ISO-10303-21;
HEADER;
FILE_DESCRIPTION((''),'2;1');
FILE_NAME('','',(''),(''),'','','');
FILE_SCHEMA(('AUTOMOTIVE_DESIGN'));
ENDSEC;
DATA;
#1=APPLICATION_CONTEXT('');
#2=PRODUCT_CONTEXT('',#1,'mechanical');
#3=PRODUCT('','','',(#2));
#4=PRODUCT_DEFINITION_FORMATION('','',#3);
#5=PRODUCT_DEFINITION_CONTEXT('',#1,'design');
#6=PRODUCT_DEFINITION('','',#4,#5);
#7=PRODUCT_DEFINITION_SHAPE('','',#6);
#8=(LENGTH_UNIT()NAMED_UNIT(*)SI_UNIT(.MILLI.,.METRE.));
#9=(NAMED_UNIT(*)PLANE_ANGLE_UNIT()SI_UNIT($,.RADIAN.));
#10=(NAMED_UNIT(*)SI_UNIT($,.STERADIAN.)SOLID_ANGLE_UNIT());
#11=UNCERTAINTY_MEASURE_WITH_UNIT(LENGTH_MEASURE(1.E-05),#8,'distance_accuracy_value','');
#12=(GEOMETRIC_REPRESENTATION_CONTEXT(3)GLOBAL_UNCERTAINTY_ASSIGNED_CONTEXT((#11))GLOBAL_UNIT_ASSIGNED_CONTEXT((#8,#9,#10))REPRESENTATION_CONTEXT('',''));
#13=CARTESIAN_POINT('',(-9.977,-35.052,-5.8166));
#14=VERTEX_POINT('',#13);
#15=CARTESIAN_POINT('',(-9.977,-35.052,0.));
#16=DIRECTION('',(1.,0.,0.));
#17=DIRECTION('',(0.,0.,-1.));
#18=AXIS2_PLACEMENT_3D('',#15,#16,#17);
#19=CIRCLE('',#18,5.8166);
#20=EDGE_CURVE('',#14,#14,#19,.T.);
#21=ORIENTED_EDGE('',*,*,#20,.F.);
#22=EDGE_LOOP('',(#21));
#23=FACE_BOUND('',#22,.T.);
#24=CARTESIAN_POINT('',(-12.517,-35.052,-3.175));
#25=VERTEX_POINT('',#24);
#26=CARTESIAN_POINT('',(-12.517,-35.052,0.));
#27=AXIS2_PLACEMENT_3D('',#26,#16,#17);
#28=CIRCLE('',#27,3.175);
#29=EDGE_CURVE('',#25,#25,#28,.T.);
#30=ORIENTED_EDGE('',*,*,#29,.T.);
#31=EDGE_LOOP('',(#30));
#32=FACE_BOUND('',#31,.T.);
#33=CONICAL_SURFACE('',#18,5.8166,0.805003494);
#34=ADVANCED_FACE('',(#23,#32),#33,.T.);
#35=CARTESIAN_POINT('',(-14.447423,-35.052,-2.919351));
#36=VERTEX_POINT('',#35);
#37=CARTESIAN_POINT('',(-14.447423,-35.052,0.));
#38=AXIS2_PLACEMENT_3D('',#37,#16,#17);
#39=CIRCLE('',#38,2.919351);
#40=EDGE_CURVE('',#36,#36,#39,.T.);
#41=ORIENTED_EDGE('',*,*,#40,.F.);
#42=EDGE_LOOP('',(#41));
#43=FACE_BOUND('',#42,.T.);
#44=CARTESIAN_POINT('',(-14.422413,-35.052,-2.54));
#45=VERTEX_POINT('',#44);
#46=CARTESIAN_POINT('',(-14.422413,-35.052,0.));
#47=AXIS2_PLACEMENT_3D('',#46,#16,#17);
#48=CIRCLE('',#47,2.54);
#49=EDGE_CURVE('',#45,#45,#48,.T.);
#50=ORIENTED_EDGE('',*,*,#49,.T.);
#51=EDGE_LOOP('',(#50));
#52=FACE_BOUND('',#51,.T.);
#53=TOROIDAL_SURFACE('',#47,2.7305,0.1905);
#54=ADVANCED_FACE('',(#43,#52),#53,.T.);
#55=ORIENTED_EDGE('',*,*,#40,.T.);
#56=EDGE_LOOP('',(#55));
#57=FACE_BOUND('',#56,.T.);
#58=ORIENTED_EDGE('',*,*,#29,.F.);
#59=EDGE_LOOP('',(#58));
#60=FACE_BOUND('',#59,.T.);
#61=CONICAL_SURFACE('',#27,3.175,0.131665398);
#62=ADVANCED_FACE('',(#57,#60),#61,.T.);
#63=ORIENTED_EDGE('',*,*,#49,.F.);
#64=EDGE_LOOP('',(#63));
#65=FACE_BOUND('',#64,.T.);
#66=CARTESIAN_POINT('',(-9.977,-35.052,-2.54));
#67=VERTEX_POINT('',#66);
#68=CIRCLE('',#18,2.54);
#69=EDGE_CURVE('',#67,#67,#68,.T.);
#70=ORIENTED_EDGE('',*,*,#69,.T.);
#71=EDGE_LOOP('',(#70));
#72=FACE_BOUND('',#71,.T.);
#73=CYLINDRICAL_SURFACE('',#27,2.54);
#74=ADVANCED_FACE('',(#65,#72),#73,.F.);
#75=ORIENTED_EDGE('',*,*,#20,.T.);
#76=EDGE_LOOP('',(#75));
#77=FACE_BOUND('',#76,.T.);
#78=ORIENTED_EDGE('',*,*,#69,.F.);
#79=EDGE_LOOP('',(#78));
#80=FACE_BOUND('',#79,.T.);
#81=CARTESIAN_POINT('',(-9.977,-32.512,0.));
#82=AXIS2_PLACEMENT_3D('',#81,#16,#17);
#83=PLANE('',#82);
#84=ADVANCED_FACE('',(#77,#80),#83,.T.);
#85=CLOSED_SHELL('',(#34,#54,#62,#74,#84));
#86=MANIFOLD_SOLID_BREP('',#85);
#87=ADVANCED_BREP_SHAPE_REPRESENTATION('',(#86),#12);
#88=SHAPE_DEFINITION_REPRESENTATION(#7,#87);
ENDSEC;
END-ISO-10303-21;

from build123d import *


with BuildPart() as part:
    # Sketch1 → Revolve1 (revolve)
    with BuildSketch(Plane.XY):
        with BuildLine():
            Line((-9.977, -29.2354), (-12.517, -31.877))
            Line((-12.517, -31.877), (-14.44742251, -32.132648849))
            ThreePointArc((-14.44742251, -32.132648849), (-14.6125, -32.334032072), (-14.422412659, -32.512))
            Line((-14.422412659, -32.512), (-9.977, -32.512))
            Line((-9.977, -32.512), (-9.977, -29.2354))
        make_face()
    revolve(axis=Axis((-12.517, -35.052, 0), (-1, 0, 0)))


solid = part.part
